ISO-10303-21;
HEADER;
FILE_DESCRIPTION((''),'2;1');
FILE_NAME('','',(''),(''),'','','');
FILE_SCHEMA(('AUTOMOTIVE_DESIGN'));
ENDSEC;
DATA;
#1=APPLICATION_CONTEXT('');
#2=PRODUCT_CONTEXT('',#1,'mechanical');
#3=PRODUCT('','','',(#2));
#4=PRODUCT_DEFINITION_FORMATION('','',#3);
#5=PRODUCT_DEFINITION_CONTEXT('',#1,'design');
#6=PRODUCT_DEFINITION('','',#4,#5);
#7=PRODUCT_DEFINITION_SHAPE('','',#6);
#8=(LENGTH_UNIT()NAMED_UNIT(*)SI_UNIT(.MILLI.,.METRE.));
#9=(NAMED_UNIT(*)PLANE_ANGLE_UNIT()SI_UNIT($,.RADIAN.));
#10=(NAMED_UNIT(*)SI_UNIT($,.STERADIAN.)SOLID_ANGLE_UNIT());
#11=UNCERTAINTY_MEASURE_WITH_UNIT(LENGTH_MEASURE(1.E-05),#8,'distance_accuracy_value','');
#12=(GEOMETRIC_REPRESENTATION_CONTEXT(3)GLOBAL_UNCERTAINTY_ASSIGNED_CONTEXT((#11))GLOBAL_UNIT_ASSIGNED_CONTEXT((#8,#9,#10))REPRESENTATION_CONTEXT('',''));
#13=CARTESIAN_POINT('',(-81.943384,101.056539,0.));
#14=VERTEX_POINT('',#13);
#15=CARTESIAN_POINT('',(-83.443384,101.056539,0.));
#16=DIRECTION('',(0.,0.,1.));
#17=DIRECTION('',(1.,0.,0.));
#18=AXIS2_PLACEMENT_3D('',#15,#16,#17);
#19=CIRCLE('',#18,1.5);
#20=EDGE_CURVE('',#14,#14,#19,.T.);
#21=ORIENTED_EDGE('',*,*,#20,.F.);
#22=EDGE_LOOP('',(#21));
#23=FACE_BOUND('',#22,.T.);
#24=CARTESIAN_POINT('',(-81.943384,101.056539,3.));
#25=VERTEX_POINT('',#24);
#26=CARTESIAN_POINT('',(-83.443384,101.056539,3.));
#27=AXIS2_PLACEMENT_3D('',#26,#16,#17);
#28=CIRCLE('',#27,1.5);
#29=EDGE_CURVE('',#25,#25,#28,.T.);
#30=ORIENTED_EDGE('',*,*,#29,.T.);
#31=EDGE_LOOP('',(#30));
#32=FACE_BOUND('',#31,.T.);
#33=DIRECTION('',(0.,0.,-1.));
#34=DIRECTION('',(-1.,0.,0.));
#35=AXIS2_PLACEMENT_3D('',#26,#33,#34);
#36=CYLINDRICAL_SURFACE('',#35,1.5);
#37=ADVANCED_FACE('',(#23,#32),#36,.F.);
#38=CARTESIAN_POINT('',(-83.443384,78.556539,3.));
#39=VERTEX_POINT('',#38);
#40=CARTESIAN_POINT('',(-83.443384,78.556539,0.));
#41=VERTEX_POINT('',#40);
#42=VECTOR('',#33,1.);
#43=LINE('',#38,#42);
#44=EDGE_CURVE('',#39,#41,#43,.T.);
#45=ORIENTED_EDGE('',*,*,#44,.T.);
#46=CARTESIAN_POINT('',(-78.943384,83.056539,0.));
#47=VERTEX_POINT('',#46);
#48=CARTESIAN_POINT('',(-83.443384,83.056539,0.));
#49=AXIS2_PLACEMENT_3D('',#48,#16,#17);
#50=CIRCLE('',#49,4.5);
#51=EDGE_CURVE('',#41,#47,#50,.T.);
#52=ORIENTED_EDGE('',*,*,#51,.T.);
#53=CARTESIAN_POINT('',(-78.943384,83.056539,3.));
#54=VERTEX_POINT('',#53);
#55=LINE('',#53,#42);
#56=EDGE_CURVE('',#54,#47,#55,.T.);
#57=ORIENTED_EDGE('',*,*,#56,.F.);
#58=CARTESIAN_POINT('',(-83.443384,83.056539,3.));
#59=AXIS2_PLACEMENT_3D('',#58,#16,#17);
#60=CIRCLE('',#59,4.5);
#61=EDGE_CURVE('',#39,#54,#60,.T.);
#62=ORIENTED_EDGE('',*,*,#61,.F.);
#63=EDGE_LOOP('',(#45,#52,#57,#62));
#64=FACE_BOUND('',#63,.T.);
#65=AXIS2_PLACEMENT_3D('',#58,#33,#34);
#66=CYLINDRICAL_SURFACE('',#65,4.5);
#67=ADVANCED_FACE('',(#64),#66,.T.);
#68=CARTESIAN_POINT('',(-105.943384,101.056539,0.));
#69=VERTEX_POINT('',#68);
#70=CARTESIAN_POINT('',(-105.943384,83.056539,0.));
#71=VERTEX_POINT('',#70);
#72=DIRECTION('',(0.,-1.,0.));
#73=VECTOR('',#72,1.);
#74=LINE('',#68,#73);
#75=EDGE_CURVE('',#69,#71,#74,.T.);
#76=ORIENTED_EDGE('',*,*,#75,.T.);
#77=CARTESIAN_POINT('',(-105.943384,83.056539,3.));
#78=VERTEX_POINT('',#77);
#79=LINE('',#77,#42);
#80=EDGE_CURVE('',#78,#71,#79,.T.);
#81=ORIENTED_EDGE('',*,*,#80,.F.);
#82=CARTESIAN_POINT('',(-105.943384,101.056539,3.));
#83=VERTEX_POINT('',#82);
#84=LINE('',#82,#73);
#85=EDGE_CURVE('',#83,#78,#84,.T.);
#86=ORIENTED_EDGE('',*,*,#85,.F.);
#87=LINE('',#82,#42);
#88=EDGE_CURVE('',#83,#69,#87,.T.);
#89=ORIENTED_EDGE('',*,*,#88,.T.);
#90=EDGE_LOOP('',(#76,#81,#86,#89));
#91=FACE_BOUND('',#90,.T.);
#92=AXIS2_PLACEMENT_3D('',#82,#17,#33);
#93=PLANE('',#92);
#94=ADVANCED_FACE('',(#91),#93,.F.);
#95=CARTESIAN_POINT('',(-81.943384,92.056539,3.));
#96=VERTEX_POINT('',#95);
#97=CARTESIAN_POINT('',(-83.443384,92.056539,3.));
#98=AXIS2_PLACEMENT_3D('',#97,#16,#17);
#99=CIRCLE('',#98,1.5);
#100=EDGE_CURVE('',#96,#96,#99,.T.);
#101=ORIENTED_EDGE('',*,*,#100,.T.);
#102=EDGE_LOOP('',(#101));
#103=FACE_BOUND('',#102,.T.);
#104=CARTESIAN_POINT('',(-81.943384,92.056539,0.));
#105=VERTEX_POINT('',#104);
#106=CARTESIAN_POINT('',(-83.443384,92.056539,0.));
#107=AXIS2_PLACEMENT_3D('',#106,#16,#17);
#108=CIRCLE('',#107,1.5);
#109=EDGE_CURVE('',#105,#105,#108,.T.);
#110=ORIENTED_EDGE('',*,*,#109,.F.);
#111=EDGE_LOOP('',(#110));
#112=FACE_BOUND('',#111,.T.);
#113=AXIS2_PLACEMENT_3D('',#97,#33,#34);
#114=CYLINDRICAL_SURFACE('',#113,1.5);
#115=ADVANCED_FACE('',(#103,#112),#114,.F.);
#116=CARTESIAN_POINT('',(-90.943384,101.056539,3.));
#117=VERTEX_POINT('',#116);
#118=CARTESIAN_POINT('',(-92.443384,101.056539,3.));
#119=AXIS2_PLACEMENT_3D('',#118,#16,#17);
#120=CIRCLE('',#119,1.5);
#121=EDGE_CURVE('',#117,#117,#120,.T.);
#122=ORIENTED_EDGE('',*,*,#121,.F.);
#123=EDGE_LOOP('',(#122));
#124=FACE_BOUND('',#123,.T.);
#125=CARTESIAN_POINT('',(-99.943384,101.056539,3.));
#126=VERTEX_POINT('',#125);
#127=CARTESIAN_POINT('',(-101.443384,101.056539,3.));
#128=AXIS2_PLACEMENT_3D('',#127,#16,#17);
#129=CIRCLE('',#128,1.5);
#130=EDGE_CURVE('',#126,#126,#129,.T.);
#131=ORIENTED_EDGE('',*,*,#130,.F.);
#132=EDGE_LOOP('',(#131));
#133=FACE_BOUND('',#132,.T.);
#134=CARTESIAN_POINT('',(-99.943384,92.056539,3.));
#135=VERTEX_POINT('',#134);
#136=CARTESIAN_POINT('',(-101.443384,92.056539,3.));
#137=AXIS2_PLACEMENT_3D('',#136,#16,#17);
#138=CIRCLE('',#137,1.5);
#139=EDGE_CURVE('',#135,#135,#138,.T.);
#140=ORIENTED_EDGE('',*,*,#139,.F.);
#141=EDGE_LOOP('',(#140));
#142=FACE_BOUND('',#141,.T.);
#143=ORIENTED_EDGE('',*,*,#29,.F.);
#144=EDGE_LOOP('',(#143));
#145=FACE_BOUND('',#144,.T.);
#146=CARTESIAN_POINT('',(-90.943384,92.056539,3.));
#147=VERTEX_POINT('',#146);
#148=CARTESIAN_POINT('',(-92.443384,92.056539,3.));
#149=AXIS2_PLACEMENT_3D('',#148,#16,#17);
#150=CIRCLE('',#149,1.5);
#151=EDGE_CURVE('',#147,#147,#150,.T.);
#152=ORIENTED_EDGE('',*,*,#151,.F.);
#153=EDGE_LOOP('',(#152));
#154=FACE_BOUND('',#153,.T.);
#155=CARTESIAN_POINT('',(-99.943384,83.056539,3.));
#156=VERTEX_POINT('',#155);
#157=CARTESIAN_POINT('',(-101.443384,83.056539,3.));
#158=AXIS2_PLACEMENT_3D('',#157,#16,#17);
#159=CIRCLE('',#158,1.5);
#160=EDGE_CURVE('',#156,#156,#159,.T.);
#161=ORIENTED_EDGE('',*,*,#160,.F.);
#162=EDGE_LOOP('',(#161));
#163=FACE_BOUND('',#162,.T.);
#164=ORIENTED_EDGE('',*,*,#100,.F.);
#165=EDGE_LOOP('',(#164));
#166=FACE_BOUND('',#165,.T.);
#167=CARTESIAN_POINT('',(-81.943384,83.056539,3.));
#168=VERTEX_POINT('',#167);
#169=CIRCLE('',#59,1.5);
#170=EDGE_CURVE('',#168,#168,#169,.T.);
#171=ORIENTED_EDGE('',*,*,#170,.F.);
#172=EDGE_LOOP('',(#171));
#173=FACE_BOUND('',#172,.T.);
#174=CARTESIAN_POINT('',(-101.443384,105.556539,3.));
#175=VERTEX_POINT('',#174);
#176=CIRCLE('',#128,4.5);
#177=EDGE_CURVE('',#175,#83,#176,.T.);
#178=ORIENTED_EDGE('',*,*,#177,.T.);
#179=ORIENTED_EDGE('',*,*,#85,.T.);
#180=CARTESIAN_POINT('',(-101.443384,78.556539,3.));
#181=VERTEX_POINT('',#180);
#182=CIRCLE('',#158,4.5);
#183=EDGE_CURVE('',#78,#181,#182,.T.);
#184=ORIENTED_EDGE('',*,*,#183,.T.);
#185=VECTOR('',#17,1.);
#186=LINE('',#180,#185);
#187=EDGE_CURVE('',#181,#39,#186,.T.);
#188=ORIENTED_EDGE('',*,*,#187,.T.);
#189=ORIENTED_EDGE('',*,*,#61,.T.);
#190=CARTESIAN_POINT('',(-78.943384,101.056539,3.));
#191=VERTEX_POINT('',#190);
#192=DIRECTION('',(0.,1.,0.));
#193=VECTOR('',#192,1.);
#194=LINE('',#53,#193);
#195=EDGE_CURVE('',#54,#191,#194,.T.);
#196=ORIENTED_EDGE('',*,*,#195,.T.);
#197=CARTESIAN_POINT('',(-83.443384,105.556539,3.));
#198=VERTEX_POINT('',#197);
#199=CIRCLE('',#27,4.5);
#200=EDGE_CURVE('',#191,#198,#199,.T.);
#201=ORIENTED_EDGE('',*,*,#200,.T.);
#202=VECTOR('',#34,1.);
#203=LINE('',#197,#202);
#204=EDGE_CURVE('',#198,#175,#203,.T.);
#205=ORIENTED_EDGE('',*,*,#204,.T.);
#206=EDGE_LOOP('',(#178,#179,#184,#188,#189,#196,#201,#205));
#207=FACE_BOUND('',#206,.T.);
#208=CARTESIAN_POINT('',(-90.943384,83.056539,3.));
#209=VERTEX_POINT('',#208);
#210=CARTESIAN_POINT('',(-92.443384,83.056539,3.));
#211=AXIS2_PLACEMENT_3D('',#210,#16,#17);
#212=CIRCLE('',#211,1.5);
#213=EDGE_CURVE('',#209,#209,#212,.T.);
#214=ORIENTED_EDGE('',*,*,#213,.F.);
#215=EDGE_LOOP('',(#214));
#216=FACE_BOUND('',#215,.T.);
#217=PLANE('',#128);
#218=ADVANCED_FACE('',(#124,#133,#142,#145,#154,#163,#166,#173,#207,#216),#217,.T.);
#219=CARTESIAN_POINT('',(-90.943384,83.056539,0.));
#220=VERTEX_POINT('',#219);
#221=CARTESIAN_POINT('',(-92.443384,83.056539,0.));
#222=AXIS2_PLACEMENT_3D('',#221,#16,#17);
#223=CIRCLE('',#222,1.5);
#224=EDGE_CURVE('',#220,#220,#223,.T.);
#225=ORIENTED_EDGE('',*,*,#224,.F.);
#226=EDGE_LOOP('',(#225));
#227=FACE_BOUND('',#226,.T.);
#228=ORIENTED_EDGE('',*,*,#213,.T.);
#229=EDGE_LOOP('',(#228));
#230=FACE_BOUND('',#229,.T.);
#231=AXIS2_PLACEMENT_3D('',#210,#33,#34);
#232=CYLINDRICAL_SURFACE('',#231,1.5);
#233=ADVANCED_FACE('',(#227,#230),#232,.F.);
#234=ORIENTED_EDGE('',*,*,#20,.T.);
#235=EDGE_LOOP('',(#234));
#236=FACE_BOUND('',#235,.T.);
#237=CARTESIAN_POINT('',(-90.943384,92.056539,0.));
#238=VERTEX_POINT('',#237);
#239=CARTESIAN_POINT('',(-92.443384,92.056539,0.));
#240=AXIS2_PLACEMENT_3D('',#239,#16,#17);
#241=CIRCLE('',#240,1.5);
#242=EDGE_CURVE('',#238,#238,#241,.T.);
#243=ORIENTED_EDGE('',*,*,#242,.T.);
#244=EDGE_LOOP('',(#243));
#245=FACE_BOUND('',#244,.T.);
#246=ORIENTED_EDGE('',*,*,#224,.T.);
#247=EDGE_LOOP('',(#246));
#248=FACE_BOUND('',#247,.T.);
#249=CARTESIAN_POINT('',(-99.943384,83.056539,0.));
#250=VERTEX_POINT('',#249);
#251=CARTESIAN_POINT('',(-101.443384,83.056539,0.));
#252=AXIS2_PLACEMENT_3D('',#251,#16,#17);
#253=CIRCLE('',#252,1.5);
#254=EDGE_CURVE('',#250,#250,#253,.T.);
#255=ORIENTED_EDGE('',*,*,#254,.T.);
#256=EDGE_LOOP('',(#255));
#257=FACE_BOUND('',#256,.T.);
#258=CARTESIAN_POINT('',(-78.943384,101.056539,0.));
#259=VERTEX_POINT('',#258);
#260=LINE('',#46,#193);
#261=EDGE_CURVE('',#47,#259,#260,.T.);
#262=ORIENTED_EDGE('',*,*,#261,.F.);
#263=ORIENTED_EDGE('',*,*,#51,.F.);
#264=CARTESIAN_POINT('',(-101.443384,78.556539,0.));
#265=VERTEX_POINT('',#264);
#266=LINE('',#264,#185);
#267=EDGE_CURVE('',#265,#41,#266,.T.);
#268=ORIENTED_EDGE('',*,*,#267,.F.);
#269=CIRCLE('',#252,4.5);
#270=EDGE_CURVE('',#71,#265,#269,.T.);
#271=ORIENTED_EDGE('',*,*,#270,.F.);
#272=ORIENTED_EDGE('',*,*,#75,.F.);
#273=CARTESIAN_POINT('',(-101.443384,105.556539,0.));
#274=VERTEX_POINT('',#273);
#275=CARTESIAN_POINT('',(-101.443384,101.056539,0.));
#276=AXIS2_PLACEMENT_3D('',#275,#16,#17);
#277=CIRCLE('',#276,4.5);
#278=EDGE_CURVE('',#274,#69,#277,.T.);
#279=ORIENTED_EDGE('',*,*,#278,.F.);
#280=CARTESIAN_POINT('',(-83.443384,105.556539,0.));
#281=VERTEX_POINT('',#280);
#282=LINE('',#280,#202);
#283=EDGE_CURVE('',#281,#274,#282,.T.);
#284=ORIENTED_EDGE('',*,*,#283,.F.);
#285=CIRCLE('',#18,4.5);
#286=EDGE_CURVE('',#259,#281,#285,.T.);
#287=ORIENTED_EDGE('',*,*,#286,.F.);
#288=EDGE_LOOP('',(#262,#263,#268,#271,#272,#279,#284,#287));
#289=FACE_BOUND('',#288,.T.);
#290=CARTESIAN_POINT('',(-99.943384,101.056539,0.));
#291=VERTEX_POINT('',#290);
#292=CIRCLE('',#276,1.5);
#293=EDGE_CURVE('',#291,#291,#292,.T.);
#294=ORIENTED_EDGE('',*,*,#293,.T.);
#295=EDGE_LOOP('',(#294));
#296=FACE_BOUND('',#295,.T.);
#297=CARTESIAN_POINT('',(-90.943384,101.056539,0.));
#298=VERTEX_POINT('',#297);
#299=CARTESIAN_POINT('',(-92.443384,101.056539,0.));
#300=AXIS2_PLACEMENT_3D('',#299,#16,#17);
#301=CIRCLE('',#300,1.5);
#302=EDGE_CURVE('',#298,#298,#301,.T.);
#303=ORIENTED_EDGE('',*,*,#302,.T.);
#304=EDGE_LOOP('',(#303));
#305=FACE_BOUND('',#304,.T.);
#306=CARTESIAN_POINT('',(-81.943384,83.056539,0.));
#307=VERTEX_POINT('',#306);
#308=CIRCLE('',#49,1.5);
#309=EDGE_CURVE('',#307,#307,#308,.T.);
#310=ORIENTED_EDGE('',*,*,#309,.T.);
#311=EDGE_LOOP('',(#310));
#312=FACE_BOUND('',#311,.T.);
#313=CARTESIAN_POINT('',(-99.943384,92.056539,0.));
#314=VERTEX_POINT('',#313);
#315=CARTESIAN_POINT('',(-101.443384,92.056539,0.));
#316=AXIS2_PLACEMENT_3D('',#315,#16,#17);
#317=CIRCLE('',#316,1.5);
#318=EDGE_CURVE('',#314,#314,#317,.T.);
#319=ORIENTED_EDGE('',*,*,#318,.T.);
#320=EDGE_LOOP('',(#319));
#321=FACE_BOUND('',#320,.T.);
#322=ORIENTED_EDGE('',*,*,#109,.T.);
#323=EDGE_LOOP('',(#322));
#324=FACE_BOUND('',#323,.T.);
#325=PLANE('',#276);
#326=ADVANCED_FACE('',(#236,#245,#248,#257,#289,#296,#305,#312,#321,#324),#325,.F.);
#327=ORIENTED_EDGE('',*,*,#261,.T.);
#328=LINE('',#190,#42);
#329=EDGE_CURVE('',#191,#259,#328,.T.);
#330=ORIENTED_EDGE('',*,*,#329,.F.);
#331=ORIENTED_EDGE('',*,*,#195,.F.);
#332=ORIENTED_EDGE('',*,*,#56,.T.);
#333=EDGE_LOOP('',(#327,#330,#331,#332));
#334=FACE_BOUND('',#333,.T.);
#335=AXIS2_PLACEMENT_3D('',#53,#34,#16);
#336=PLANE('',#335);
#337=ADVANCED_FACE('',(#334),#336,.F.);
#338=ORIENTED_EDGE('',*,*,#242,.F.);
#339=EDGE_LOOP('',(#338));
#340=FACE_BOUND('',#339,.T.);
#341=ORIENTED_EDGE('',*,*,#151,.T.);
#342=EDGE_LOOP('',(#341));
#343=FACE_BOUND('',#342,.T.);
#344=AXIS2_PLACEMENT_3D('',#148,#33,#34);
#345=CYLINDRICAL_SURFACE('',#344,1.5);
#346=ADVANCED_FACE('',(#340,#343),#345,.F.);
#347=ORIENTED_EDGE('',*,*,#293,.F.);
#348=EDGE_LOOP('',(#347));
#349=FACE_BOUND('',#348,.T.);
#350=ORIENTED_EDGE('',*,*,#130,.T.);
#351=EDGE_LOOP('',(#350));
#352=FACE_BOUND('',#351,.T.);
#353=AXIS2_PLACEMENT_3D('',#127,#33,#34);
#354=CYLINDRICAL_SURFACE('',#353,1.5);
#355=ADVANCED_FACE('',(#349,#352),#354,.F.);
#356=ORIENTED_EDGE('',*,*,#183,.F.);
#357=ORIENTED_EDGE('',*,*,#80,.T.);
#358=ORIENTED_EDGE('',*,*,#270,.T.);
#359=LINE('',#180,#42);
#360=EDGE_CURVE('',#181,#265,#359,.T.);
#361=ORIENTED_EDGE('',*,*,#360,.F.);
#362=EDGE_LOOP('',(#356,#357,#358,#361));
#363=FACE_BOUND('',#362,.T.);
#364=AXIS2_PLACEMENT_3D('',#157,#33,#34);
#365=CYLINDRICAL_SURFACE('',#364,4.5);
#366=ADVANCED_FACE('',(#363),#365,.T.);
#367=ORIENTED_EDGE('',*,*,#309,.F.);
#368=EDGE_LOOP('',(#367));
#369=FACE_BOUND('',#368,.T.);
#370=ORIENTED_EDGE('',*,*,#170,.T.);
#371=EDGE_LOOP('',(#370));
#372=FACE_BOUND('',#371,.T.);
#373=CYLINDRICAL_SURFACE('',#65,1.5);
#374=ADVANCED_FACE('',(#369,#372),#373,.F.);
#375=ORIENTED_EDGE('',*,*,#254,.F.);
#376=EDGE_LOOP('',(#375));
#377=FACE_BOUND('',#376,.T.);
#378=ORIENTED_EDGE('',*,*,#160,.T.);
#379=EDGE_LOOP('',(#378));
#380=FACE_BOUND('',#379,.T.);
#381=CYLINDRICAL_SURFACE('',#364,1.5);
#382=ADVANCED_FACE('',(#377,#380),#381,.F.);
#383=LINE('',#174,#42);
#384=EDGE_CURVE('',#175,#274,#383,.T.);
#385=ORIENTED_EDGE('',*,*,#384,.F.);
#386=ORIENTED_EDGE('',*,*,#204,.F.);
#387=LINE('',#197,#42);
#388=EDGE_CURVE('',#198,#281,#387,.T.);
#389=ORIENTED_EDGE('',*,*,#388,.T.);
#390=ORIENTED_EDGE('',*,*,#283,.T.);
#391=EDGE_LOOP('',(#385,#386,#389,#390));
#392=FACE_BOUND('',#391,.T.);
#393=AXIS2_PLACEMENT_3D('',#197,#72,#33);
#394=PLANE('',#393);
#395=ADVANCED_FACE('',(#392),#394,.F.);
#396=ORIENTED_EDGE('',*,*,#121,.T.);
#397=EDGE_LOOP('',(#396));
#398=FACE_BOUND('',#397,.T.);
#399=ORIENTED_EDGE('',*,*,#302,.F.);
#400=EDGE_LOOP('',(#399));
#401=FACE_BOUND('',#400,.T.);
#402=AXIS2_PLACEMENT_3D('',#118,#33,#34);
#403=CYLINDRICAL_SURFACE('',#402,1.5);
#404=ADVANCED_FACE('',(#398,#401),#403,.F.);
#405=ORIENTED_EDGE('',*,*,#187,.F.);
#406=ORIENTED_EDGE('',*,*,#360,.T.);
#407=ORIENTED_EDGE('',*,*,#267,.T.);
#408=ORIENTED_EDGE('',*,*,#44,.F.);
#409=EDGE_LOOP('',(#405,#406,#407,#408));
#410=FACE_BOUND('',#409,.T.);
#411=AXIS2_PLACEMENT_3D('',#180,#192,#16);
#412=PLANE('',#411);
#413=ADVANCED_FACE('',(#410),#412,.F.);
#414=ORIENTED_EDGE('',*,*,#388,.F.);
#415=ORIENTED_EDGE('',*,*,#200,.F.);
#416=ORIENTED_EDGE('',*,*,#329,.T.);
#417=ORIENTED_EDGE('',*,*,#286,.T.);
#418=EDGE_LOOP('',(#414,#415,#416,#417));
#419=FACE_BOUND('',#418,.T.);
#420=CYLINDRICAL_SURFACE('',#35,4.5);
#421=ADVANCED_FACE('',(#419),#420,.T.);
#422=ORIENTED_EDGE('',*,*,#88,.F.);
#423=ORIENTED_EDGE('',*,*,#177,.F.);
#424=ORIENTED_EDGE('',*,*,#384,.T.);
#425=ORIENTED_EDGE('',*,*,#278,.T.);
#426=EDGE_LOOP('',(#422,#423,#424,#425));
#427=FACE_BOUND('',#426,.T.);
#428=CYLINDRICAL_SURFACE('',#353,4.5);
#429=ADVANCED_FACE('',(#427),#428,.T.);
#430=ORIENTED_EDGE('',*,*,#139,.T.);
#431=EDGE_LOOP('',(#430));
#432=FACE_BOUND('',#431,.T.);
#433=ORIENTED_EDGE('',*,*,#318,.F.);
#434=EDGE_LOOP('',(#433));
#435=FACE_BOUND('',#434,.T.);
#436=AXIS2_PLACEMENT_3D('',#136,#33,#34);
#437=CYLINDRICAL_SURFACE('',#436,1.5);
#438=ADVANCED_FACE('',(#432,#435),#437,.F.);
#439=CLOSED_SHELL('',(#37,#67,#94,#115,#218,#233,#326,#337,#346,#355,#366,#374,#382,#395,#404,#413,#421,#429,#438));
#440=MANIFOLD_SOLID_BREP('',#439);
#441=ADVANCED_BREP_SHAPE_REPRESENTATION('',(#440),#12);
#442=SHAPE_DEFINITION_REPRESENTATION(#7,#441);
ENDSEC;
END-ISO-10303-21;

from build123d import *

# Parameters (mm, degrees)
MODEL_R                 = 1.5
SALIENTE_EXTRUIR1_DEPTH = 3


with BuildPart() as part:
    # Model → Saliente-Extruir1 (new body)
    with BuildSketch(Plane.XY):
        with BuildLine():
            Line((-105.943383637, 101.056539338), (-105.943383637, 83.056539338))
            ThreePointArc((-105.943383637, 83.056539338), (-104.625364152, 79.874558823), (-101.443383637, 78.556539338))
            Line((-101.443383637, 78.556539338), (-83.443383637, 78.556539338))
            ThreePointArc((-83.443383637, 78.556539338), (-80.261403122, 79.874558823), (-78.943383637, 83.056539338))
            Line((-78.943383637, 83.056539338), (-78.943383637, 101.056539338))
            ThreePointArc((-78.943383637, 101.056539338), (-80.261403122, 104.238519853), (-83.443383637, 105.556539338))
            Line((-83.443383637, 105.556539338), (-101.443383637, 105.556539338))
            ThreePointArc((-101.443383637, 105.556539338), (-104.625364152, 104.238519853), (-105.943383637, 101.056539338))
        make_face()
        with Locations((-101.443383637, 101.056539338)):
            Circle(MODEL_R, mode=Mode.SUBTRACT)
        with Locations((-92.443383637, 101.056539338)):
            Circle(MODEL_R, mode=Mode.SUBTRACT)
        with Locations((-83.443383637, 101.056539338)):
            Circle(MODEL_R, mode=Mode.SUBTRACT)
        with Locations((-101.443383637, 92.056539338)):
            Circle(MODEL_R, mode=Mode.SUBTRACT)
        with Locations((-92.443383637, 92.056539338)):
            Circle(MODEL_R, mode=Mode.SUBTRACT)
        with Locations((-83.443383637, 92.056539338)):
            Circle(MODEL_R, mode=Mode.SUBTRACT)
        with Locations((-101.443383637, 83.056539338)):
            Circle(MODEL_R, mode=Mode.SUBTRACT)
        with Locations((-92.443383637, 83.056539338)):
            Circle(MODEL_R, mode=Mode.SUBTRACT)
        with Locations((-83.443383637, 83.056539338)):
            Circle(MODEL_R, mode=Mode.SUBTRACT)
    extrude(amount=SALIENTE_EXTRUIR1_DEPTH)


solid = part.part
